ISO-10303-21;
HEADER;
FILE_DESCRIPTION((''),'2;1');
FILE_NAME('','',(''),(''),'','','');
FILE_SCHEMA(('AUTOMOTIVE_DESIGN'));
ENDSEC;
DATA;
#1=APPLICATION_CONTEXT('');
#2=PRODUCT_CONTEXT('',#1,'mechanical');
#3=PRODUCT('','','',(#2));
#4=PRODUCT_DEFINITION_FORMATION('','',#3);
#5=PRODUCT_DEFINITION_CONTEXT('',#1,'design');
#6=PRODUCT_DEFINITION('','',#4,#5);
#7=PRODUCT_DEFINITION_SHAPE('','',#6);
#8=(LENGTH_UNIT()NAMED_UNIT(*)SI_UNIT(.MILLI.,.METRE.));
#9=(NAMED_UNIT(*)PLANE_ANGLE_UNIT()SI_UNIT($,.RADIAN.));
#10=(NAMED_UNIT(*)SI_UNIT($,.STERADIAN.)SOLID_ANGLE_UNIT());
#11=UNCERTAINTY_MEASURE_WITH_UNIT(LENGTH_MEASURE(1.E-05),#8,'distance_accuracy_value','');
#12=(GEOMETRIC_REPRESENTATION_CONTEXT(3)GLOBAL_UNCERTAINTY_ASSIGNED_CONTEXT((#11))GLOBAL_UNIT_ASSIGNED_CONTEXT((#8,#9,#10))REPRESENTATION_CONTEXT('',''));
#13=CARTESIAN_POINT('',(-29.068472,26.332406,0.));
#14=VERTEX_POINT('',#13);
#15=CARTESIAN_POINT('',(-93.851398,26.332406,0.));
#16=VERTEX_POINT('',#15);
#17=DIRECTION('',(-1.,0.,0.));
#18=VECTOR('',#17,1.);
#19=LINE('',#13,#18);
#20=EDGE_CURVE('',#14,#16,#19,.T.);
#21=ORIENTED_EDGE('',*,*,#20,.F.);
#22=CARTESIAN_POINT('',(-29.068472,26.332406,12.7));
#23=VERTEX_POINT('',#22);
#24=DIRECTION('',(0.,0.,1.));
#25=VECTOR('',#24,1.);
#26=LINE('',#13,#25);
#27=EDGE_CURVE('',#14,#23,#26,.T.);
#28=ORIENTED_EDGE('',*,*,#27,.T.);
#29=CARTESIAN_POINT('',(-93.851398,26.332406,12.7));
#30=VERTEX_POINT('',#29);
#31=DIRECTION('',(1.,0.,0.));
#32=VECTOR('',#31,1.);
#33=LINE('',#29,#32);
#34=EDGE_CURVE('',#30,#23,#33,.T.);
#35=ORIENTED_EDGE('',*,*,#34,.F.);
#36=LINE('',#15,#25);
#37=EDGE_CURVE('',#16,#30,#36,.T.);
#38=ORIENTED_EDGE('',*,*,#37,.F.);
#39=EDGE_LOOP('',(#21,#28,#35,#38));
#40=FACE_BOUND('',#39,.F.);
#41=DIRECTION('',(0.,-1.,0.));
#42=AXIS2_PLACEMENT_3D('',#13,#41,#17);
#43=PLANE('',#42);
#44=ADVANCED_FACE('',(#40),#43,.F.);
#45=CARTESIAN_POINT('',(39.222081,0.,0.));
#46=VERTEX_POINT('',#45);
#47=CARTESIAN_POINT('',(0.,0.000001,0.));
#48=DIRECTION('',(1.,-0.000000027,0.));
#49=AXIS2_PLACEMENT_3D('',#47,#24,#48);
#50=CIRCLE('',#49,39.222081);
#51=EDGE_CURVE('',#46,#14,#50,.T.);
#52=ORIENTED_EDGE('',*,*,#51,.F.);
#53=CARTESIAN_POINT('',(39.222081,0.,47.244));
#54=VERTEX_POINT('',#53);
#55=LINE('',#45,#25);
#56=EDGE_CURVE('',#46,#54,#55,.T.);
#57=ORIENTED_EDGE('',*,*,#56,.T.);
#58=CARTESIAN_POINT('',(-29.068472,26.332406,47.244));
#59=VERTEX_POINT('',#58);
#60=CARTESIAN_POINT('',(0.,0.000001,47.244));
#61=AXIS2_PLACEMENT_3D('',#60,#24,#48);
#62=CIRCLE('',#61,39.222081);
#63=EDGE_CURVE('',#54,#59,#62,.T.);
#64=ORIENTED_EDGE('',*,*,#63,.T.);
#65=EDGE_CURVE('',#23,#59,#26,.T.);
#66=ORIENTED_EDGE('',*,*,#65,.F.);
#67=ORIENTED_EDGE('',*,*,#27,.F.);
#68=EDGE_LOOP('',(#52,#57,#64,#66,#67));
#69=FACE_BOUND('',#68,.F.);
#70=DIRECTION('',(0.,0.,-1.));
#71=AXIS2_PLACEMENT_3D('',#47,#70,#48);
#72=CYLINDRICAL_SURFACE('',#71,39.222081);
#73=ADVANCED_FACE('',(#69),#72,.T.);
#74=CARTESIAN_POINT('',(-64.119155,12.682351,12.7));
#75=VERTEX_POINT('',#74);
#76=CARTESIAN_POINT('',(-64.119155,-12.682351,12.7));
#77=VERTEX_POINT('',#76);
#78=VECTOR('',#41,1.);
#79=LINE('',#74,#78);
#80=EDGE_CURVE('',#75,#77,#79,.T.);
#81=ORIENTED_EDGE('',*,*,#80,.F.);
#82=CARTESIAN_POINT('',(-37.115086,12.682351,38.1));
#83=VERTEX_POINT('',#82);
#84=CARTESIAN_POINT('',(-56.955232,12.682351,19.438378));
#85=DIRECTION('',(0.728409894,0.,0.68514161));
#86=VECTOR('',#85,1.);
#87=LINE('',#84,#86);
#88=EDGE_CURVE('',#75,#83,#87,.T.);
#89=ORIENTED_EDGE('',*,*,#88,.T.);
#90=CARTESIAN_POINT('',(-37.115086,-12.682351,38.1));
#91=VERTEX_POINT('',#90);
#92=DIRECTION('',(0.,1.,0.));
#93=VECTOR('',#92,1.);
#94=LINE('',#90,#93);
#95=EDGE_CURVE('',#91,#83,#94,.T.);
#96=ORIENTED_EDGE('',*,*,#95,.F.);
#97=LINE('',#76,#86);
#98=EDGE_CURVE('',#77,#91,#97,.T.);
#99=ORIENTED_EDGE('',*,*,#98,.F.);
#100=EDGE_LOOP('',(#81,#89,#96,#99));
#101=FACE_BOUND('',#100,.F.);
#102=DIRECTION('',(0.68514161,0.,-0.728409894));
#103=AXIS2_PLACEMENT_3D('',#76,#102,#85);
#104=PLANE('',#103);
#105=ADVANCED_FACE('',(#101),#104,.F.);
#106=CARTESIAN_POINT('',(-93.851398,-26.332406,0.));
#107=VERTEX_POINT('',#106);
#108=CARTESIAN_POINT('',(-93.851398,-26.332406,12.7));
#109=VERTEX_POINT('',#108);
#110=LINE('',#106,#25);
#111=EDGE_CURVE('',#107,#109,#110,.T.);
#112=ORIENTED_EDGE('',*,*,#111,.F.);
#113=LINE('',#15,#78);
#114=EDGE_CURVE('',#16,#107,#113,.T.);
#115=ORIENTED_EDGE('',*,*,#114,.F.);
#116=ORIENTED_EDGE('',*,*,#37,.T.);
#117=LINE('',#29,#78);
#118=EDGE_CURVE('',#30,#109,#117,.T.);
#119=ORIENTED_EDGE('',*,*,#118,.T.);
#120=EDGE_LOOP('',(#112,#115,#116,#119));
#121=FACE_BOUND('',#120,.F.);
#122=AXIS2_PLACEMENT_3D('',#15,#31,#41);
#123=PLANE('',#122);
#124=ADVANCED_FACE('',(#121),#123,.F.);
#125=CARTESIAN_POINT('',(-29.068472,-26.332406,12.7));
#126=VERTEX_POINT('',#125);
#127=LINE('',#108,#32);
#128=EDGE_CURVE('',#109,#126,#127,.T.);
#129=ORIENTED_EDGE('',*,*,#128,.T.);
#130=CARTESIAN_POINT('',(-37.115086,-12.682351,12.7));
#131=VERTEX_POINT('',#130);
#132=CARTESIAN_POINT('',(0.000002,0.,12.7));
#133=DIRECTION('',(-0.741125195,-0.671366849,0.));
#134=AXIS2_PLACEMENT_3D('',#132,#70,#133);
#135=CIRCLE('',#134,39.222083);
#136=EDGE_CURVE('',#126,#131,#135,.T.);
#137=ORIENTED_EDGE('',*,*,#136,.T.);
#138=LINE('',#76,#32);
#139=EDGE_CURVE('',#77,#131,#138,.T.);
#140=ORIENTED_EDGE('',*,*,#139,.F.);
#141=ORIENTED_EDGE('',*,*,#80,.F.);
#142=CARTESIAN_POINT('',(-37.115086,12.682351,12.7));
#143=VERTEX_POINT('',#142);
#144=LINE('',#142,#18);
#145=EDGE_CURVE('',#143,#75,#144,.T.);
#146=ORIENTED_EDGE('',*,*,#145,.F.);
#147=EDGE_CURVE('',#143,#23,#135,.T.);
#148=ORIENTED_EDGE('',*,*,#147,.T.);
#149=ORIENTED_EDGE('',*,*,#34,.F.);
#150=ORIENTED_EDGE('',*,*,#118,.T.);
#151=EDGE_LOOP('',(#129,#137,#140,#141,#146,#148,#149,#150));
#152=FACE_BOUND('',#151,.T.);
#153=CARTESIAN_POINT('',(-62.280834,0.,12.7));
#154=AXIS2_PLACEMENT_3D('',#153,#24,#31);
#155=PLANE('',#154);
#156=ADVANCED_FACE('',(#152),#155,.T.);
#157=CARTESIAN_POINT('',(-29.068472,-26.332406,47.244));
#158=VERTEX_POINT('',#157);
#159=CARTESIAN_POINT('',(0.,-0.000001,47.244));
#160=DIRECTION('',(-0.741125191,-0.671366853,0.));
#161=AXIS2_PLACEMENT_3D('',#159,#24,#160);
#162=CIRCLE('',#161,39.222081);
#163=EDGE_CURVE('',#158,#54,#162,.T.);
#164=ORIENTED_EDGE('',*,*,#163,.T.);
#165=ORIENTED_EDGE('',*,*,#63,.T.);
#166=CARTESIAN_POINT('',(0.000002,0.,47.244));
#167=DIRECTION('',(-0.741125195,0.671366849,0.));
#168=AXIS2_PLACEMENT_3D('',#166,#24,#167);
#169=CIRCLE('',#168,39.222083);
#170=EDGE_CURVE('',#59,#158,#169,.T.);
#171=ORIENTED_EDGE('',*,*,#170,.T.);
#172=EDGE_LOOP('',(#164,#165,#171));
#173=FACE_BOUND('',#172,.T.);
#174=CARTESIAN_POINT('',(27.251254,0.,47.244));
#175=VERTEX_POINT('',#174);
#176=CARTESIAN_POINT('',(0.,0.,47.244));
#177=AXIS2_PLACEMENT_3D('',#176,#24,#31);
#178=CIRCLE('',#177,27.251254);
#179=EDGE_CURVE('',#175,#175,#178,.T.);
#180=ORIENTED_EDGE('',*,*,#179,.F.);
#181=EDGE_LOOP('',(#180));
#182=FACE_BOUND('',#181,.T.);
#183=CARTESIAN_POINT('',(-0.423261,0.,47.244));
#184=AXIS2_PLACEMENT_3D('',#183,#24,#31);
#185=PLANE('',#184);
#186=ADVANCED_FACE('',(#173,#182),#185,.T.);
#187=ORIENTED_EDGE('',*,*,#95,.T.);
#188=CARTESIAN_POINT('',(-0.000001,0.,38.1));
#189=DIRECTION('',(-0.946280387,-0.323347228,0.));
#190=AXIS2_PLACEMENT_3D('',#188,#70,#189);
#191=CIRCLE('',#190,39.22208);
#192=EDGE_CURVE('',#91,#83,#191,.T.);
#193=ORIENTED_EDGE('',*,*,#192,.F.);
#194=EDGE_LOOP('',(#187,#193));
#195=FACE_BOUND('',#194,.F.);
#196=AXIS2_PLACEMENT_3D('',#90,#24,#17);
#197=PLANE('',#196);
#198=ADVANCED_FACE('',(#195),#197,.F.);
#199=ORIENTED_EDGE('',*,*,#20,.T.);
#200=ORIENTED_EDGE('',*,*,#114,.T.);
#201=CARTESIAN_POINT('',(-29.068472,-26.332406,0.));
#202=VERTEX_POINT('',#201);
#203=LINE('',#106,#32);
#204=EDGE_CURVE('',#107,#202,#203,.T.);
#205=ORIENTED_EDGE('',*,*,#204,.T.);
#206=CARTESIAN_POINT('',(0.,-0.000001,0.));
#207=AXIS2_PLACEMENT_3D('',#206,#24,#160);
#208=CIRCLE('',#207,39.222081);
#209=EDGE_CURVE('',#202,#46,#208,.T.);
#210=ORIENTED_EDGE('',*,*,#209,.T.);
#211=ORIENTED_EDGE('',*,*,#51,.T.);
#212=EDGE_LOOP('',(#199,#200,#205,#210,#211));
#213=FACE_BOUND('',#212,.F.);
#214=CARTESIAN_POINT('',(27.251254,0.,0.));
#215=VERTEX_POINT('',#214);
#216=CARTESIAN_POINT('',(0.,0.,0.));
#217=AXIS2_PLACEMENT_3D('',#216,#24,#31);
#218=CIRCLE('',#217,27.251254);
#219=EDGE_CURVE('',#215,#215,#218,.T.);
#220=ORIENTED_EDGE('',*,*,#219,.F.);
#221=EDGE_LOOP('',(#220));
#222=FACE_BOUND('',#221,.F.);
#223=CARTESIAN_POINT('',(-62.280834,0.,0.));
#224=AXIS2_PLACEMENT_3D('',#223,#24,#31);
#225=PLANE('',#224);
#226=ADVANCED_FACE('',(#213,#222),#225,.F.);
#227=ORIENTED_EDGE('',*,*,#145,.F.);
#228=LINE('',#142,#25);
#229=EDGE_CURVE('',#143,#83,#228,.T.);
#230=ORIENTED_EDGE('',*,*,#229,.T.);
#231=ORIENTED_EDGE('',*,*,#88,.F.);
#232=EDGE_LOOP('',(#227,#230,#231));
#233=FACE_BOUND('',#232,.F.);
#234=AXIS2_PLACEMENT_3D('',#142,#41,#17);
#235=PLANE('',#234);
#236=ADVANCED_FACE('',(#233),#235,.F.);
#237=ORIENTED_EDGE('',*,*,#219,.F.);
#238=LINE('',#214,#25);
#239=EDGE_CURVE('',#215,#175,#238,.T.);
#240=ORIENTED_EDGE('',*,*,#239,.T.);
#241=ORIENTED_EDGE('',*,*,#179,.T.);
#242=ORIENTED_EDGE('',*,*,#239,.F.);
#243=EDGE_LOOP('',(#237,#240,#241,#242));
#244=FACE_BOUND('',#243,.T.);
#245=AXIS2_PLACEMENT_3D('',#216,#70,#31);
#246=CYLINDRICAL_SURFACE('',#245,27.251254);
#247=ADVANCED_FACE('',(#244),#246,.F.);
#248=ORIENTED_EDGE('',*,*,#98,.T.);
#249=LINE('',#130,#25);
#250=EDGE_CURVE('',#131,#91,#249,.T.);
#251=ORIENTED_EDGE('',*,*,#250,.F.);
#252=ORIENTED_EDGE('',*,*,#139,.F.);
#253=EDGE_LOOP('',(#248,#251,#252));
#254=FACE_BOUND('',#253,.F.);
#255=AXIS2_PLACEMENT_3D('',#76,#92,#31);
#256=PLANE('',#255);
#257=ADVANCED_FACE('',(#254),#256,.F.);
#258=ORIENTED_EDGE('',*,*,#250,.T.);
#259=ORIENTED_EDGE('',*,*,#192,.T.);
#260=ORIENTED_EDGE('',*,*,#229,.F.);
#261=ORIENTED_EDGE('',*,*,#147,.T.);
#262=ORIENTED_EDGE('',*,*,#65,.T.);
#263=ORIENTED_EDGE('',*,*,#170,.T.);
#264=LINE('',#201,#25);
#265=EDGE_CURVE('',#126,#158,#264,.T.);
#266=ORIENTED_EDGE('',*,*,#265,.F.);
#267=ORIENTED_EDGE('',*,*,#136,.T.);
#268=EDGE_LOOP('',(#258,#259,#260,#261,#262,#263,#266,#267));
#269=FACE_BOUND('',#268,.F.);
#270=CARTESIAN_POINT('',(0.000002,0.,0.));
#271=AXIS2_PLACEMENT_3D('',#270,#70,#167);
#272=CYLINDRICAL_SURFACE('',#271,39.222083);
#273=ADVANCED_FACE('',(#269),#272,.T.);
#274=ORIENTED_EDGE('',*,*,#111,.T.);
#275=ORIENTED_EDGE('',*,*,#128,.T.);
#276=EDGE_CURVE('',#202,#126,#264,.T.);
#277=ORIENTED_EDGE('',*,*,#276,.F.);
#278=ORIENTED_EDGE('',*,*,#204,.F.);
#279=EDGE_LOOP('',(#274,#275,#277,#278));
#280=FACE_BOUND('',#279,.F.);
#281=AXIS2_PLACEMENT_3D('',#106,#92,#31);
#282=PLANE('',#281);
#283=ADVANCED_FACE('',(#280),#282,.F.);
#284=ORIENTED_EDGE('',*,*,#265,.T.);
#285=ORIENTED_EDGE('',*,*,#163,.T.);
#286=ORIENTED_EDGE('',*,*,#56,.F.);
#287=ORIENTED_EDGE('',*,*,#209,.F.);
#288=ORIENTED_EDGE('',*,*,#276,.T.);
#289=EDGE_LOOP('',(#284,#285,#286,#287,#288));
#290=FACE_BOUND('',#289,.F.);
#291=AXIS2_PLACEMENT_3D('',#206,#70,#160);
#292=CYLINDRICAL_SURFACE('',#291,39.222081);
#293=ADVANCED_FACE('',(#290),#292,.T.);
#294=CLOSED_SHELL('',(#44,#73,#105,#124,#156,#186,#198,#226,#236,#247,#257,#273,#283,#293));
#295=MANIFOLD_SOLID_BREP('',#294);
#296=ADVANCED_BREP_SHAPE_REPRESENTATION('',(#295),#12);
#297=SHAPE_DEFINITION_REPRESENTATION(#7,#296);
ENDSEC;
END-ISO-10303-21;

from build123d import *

# Parameters (mm, degrees)
F0_R     = 27.251254
F1_DEPTH = 47.244
F2_DEPTH = 12.7
F4_DEPTH = 25.4
F6_DEPTH = 51.905433


with BuildPart() as f1:
    # F0 (on Top) → F1 (new body)
    with BuildSketch(Plane.XY):
        with BuildLine():
            ThreePointArc((-29.068472, -26.332406), (14.11109, -36.595749), (39.222081, 0))
            ThreePointArc((39.222081, 0), (14.11109, 36.595749), (-29.068472, 26.332406))
            ThreePointArc((-29.068472, 26.332406), (-39.222081, 0), (-29.068472, -26.332406))
        make_face()
        Circle(F0_R, mode=Mode.SUBTRACT)
    extrude(amount=F1_DEPTH)

    # F0 (on Top) → F2 (join)
    with BuildSketch(Plane.XY):
        with BuildLine():
            ThreePointArc((-29.068472, -26.332406), (-39.222081, 0), (-29.068472, 26.332406))
            Line((-29.068472, 26.332406), (-93.851398, 26.332406))
            Line((-93.851398, 26.332406), (-93.851398, -26.332406))
            Line((-93.851398, -26.332406), (-29.068472, -26.332406))
        make_face()
    extrude(amount=F2_DEPTH)

    # F3 (on face) → F4 (join)
    with BuildSketch(Plane.XY.offset(12.7)):
        with BuildLine():
            ThreePointArc((-37.115086, -12.682351), (-39.222081, 0), (-37.115086, 12.682351))
            Line((-37.115086, 12.682351), (-64.119155, 12.682351))
            Line((-64.119155, 12.682351), (-64.119155, -12.682351))
            Line((-64.119155, -12.682351), (-37.115086, -12.682351))
        make_face()
    extrude(amount=F4_DEPTH)

    # F5 (on face) → F6 (cut, through all)
    with BuildSketch(Plane.XZ.offset(12.682351)):
        Polygon((-64.119155, 12.7), (-37.115086, 38.1), (-64.119155, 38.1), align=None)
    extrude(amount=-F6_DEPTH, mode=Mode.SUBTRACT)


solid = f1.part
